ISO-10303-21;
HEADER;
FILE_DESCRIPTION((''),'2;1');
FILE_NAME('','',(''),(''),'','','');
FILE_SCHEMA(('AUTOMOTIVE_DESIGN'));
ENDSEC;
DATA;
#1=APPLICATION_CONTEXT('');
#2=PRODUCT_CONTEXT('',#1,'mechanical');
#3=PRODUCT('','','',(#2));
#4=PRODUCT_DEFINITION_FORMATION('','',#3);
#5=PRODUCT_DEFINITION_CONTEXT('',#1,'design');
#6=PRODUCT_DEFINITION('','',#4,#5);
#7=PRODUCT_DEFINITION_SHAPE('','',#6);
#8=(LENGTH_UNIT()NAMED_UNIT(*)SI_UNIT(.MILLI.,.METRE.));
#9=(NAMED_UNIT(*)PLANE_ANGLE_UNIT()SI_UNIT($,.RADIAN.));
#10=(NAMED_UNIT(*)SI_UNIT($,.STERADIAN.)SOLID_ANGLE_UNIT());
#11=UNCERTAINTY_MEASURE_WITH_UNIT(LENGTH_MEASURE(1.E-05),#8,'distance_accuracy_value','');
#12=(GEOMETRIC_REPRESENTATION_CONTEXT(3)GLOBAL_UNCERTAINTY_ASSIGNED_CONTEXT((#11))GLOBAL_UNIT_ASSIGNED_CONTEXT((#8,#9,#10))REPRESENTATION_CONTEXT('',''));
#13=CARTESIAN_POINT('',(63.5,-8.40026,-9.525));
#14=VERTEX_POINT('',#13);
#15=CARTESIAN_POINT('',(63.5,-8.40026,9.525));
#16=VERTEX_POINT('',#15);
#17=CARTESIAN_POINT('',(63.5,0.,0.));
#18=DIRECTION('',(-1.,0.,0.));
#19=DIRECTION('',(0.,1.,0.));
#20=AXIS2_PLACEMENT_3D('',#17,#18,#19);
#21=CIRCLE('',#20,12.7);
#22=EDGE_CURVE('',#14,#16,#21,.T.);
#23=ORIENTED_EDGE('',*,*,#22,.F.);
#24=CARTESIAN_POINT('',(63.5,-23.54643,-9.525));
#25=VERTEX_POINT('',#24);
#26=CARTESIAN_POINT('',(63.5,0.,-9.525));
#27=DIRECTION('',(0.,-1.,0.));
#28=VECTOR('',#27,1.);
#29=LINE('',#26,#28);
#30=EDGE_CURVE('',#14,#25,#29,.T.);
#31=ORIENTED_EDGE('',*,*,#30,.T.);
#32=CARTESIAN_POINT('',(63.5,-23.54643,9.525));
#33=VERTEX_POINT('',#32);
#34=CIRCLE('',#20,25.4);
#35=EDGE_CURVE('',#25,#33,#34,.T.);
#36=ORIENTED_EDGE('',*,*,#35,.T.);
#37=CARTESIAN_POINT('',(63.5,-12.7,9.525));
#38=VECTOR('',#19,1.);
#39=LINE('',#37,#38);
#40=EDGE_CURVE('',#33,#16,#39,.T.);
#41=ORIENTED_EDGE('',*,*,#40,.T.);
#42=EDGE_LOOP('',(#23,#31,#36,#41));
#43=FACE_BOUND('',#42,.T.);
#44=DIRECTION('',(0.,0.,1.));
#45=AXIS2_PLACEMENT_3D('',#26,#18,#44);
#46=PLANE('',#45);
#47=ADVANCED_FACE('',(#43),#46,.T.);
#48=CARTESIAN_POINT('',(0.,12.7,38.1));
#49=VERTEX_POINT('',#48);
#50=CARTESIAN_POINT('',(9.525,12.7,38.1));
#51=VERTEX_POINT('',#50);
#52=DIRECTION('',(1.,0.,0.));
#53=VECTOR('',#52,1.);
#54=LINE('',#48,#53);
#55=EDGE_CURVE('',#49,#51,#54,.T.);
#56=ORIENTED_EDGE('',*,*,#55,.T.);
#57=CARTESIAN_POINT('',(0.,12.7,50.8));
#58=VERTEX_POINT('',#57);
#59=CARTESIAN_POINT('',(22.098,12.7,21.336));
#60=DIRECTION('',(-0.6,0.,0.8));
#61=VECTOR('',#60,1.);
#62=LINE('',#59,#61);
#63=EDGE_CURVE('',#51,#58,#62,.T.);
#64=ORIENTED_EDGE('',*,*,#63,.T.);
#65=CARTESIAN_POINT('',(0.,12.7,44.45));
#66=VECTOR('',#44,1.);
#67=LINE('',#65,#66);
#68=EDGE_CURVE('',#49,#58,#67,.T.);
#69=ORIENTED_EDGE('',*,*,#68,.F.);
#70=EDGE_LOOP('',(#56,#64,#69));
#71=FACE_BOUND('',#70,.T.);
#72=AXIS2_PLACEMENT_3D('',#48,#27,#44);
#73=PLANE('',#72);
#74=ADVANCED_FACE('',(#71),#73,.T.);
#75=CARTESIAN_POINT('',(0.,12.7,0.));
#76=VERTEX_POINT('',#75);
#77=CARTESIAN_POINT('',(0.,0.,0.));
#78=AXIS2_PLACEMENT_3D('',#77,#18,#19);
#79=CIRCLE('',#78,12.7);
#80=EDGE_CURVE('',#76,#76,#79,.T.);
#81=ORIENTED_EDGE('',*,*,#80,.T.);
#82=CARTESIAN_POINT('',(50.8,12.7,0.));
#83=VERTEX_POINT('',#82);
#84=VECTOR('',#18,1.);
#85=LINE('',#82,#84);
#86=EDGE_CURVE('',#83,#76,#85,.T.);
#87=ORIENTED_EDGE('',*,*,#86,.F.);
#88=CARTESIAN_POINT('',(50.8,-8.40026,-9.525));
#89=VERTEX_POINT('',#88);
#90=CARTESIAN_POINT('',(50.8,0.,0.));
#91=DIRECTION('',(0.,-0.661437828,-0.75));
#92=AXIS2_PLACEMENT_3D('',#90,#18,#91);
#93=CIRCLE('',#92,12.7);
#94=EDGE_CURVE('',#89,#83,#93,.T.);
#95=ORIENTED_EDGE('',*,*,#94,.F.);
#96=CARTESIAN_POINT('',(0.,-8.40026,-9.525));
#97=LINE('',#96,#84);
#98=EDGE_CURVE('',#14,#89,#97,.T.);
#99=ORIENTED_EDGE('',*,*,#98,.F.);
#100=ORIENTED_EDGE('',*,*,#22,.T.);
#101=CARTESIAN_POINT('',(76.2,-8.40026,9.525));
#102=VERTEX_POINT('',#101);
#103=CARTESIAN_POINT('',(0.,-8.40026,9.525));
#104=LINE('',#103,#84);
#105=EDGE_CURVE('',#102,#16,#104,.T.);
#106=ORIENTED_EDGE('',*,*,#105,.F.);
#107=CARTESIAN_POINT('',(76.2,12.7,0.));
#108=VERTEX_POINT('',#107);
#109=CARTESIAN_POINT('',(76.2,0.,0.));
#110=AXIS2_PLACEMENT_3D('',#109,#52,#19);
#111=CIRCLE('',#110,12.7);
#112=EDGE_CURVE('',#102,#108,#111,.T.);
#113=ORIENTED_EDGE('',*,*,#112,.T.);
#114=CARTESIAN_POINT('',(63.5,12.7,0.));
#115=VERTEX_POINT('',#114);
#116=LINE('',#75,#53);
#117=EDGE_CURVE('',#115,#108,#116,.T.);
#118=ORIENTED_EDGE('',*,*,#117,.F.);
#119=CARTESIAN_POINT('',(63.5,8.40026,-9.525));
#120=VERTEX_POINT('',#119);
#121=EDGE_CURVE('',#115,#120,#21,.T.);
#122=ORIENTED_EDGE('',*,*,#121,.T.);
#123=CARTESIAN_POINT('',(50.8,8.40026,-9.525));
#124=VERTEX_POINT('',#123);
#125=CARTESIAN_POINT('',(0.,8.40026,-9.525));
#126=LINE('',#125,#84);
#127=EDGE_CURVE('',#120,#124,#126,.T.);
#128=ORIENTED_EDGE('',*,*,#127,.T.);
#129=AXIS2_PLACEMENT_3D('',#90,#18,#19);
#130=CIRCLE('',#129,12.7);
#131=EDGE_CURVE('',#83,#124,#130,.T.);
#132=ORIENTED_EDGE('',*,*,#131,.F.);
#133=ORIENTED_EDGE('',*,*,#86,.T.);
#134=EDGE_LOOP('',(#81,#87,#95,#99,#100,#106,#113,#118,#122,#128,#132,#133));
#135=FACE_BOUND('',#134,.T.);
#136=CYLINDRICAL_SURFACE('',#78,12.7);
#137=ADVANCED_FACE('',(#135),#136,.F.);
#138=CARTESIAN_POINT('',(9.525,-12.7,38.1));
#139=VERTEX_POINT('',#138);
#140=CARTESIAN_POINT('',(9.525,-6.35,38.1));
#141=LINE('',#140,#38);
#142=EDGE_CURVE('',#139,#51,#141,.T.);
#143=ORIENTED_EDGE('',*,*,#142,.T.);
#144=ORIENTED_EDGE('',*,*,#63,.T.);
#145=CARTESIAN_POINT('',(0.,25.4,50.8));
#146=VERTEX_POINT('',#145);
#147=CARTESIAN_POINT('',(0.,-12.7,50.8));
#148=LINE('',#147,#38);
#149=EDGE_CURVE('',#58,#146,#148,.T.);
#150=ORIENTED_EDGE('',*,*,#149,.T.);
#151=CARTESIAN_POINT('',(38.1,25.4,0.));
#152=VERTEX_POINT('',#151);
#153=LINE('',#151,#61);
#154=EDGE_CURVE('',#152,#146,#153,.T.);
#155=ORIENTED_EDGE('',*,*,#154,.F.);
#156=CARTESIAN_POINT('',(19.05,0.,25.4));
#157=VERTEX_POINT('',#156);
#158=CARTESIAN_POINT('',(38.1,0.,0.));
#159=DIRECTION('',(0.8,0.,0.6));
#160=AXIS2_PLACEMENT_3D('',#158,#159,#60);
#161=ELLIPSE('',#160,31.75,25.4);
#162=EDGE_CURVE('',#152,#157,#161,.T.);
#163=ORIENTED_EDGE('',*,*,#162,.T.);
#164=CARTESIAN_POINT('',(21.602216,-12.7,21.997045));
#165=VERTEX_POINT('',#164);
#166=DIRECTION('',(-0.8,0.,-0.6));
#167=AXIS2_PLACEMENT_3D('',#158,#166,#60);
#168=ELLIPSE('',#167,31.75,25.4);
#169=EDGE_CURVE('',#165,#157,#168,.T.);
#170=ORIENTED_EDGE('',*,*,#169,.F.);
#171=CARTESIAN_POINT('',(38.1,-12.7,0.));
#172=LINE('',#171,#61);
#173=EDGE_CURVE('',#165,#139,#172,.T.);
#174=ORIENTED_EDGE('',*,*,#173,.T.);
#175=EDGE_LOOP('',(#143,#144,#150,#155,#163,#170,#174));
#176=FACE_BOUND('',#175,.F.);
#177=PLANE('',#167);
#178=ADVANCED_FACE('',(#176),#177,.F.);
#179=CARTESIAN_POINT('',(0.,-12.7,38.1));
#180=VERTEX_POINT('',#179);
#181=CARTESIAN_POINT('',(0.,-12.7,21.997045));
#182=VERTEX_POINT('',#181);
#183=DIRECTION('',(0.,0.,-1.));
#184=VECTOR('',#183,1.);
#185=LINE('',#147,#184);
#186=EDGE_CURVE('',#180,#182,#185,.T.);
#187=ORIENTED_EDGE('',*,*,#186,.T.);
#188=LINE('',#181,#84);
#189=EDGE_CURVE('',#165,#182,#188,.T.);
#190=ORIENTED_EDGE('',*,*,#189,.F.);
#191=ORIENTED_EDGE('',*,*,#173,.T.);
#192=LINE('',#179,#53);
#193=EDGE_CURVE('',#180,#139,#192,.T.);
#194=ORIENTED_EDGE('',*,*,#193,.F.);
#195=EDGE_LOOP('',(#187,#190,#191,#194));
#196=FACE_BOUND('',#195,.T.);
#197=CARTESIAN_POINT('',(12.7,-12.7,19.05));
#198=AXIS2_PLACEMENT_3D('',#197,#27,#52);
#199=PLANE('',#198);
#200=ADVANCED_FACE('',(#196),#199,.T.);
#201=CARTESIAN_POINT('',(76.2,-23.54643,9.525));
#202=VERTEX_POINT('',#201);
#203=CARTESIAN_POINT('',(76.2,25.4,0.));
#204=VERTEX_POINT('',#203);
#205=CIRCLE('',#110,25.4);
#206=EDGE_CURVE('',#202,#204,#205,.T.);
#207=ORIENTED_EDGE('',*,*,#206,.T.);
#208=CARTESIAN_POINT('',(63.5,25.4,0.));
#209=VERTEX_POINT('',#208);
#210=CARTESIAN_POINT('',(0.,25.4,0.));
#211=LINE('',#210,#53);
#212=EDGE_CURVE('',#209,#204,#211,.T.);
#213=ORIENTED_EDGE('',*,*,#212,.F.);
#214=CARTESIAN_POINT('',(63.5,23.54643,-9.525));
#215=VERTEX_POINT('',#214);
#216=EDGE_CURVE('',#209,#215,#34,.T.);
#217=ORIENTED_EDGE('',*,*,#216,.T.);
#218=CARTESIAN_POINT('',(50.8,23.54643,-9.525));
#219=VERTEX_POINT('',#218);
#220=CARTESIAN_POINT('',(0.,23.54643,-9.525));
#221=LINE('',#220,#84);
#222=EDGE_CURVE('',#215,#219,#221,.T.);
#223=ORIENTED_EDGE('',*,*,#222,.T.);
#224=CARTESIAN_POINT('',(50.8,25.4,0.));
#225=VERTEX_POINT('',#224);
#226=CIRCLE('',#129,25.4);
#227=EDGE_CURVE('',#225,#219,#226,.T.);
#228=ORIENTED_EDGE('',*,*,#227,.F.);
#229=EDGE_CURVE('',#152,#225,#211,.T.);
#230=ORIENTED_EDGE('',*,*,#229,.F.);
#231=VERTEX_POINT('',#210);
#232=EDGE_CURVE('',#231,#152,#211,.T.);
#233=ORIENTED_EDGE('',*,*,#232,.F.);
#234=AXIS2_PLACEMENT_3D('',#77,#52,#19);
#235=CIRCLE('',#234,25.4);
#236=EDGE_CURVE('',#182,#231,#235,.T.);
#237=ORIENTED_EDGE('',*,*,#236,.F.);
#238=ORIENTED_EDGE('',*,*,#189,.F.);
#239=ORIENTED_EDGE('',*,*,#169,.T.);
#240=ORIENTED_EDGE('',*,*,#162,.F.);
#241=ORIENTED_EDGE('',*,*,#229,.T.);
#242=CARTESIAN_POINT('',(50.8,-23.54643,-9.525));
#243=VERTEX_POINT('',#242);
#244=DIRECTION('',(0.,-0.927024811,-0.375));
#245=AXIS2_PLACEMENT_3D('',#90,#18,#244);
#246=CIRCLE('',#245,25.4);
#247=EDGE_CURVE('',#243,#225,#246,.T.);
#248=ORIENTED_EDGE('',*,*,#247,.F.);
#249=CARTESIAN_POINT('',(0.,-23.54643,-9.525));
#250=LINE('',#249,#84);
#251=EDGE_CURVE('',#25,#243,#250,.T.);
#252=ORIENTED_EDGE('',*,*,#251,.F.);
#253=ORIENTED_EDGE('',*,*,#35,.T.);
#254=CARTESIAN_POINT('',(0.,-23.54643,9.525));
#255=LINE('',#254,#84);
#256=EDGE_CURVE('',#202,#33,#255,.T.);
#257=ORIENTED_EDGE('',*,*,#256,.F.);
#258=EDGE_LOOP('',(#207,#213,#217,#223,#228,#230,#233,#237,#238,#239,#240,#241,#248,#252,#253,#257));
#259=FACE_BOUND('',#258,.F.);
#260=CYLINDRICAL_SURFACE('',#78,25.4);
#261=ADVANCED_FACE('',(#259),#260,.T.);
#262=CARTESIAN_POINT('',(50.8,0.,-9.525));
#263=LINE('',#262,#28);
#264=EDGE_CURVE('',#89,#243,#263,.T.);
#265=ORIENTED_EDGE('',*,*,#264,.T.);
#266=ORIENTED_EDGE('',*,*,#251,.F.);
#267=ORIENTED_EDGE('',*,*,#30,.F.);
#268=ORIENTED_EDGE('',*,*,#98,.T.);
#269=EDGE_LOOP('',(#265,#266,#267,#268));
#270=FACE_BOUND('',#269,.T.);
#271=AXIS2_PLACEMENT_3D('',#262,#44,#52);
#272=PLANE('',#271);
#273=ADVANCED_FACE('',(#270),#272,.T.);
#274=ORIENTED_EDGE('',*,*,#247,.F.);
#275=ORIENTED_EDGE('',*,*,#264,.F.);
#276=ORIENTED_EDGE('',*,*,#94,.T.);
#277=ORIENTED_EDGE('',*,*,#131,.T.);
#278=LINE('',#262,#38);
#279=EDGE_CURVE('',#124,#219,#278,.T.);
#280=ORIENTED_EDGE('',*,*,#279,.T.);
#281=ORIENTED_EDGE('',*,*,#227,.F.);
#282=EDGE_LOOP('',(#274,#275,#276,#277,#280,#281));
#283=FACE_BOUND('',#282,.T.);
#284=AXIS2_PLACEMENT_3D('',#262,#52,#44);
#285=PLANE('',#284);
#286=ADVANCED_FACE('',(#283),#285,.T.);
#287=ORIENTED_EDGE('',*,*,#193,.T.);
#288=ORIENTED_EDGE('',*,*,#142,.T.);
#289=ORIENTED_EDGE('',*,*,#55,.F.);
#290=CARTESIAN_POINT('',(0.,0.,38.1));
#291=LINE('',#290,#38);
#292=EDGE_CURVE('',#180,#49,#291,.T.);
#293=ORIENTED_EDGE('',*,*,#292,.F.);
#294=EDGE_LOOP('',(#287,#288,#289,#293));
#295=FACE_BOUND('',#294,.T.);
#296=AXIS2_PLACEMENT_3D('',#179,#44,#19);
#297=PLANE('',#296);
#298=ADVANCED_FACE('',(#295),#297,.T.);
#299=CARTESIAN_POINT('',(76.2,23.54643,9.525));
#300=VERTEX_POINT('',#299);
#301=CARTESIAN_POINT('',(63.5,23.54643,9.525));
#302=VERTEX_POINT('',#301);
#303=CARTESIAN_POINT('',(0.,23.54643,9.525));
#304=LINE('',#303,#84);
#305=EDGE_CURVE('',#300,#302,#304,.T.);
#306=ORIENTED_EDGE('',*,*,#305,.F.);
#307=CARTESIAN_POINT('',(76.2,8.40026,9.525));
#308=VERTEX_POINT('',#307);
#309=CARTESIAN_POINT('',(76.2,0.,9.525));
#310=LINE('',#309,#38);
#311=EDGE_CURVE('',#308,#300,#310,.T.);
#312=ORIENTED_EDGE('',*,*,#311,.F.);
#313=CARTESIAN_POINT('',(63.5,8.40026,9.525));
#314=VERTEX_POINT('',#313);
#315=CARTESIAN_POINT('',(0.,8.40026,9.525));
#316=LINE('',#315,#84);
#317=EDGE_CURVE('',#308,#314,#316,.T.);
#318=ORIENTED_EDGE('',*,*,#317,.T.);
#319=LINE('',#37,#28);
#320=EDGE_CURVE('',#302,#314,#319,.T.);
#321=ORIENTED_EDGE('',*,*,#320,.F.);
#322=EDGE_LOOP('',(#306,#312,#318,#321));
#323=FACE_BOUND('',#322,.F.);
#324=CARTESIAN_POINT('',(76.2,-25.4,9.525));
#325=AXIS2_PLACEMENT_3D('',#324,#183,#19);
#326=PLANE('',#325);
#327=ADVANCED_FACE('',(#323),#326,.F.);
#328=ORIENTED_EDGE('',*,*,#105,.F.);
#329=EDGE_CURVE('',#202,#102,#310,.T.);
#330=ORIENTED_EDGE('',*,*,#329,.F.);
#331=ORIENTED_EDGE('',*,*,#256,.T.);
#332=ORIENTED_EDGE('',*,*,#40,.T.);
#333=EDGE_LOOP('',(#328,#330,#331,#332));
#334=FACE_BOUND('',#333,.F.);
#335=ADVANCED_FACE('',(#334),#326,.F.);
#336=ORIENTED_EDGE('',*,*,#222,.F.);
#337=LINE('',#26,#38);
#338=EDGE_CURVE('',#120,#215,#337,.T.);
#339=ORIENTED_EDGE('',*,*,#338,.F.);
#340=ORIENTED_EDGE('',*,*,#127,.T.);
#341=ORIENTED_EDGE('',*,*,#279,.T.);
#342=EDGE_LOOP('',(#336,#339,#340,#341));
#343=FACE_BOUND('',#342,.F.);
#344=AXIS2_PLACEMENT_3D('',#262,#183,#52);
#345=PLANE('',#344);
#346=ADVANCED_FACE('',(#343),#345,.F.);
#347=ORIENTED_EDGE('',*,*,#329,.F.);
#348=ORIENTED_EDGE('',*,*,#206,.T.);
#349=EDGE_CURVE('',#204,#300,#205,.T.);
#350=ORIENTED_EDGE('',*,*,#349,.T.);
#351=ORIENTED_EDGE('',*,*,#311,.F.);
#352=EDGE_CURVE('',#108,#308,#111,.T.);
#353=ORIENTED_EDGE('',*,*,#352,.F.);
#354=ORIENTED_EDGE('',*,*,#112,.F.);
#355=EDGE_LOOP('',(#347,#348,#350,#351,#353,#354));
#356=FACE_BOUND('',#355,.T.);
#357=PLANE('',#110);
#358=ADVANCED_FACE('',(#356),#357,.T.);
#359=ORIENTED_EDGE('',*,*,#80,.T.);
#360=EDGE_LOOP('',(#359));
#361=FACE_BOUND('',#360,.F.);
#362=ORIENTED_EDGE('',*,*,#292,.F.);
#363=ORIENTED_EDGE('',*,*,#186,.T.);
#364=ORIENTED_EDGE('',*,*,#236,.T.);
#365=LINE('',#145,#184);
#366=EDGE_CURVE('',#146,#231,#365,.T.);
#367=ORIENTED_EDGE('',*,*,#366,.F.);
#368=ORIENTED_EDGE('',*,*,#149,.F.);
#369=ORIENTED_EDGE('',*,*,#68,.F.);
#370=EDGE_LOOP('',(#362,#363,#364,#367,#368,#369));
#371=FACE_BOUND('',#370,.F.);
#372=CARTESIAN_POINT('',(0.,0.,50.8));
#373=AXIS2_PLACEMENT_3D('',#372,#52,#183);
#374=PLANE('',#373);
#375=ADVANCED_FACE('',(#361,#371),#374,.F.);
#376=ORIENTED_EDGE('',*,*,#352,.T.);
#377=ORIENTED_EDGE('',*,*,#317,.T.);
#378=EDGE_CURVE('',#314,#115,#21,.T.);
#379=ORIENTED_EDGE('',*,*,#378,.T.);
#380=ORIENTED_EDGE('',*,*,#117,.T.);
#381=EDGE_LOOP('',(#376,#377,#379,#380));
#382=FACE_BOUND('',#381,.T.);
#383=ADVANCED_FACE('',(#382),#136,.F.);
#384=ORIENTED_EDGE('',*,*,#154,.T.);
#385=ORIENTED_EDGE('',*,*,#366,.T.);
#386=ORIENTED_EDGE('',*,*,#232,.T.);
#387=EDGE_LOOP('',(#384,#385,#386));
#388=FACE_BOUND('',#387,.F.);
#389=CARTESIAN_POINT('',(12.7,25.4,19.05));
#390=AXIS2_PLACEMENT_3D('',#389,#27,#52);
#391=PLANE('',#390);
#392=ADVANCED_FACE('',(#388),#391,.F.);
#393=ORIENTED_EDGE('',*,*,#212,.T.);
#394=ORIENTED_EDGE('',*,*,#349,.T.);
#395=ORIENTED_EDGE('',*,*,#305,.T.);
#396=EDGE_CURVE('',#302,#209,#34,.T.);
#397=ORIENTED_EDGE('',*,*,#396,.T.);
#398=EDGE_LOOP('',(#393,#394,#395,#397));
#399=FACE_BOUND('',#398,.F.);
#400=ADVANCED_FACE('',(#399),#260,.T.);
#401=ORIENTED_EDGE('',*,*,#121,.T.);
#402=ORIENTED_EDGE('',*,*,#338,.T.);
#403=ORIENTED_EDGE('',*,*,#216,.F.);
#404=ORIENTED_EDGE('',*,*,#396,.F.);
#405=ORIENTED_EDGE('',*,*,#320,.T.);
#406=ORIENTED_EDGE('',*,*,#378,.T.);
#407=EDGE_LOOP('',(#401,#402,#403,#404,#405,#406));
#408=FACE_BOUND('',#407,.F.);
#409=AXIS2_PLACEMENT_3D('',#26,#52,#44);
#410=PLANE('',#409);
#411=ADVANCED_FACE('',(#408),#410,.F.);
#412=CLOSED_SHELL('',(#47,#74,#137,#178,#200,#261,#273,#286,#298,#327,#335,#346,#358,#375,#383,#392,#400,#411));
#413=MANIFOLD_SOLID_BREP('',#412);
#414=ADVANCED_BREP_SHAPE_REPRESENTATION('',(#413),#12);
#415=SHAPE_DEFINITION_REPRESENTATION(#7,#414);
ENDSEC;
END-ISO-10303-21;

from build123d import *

# Parameters (mm, degrees)
F0_R          = 25.4
F0_R_2        = 12.7
F1_DEPTH      = 76.2
F2_W          = 50.8
F2_H          = 15.875
F3_DEPTH      = 25.4
F4_W          = 12.7
F4_H          = 34.925
F5_DEPTH      = 25.401
F5_DEPTH_BACK = 25.401
F7_DEPTH      = 12.7
F7_DEPTH_BACK = 25.4
F8_R          = 12.7
F9_DEPTH      = 76.201
F10_W         = 25.4
F10_H         = 12.7
F11_DEPTH     = 76.201


with BuildPart() as f1:
    # F0 (on Right) → F1 (new body)
    with BuildSketch(Plane.YZ):
        Circle(F0_R)
        Circle(F0_R_2, mode=Mode.SUBTRACT)
    extrude(amount=F1_DEPTH)

    # F2 (on face) → F3 (cut)
    with BuildSketch(Plane.YZ.offset(76.2)):
        with Locations((0, 17.4625)):
            Rectangle(F2_W, F2_H)
    extrude(amount=-F3_DEPTH, mode=Mode.SUBTRACT)

    # F4 (on Front) → F5 (cut, two sides)
    with BuildSketch(Plane.XZ) as f5_sk:
        with Locations((57.15, 7.9375)):
            Rectangle(F4_W, F4_H)
    extrude(amount=-F5_DEPTH, mode=Mode.SUBTRACT)
    extrude(f5_sk.sketch, amount=F5_DEPTH_BACK, mode=Mode.SUBTRACT)

    # F6 (on Front) → F7 (join, two sides)
    with BuildSketch(Plane.XZ) as f7_sk:
        Polygon((38.1, 0), (0, 50.8), (0, 0), align=None)
    extrude(amount=F7_DEPTH)
    extrude(f7_sk.sketch, amount=-F7_DEPTH_BACK)

    # F8 (on Right) → F9 (cut, through all)
    with BuildSketch(Plane.YZ):
        Circle(F8_R)
    extrude(amount=F9_DEPTH, mode=Mode.SUBTRACT)

    # F10 (on Right) → F11 (cut, through all)
    with BuildSketch(Plane.YZ):
        with Locations((0, 44.45)):
            Rectangle(F10_W, F10_H)
    extrude(amount=F11_DEPTH, mode=Mode.SUBTRACT)


solid = f1.part
